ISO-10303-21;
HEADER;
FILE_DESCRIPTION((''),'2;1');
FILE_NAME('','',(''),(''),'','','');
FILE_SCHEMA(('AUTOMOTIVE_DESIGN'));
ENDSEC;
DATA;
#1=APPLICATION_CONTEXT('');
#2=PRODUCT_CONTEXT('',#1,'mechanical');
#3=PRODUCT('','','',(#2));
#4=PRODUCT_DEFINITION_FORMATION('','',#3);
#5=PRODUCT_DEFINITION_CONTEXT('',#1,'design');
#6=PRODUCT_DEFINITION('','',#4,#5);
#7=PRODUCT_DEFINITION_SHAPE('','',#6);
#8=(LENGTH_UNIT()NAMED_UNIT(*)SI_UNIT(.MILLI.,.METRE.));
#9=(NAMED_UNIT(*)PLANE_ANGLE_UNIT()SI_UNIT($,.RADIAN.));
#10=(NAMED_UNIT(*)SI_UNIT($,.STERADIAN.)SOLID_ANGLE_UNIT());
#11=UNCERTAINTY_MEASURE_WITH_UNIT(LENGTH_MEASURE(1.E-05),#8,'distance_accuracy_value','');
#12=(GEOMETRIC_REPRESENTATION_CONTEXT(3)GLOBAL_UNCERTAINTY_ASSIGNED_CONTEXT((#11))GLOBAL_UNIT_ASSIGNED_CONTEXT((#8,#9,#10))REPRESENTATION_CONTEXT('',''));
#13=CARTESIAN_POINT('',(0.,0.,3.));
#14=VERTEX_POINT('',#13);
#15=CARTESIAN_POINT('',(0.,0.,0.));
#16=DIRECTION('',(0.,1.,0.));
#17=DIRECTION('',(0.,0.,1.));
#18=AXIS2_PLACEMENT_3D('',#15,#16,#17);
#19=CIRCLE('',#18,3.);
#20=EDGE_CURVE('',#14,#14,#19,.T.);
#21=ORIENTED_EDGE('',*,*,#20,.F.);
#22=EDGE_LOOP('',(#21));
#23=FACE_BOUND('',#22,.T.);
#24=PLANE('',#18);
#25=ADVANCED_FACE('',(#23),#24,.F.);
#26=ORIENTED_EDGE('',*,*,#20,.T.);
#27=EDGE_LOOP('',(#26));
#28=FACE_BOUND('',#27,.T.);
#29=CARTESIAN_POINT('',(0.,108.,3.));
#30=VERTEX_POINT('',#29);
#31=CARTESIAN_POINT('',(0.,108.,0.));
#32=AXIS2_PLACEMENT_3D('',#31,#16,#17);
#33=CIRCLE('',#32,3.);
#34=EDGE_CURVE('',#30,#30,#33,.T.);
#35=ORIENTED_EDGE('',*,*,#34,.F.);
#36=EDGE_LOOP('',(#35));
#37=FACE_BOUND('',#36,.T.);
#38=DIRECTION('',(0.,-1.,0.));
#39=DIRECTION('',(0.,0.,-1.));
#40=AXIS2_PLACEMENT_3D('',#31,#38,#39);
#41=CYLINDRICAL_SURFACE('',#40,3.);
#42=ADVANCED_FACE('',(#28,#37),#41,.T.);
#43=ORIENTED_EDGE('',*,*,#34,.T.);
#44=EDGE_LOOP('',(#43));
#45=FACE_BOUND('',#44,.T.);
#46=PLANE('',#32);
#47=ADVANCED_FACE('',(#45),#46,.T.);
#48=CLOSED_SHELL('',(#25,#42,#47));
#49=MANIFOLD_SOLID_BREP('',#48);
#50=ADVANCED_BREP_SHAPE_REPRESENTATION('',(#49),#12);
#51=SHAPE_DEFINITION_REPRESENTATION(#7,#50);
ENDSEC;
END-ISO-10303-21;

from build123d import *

# Parameters (mm, degrees)
SKETCH_1_R      = 3
EXTRUDE_1_DEPTH = 108


with BuildPart() as part:
    # 草图1 → 凸台-拉伸1 (new body)
    with BuildSketch(Plane(origin=(0, 0, 0), x_dir=(1, 0, 0), z_dir=(0, 1, 0))):
        with Locations(Location((0, 0, 0), (0, 0, 270))):
            Circle(SKETCH_1_R)
    extrude(amount=EXTRUDE_1_DEPTH)


solid = part.part
